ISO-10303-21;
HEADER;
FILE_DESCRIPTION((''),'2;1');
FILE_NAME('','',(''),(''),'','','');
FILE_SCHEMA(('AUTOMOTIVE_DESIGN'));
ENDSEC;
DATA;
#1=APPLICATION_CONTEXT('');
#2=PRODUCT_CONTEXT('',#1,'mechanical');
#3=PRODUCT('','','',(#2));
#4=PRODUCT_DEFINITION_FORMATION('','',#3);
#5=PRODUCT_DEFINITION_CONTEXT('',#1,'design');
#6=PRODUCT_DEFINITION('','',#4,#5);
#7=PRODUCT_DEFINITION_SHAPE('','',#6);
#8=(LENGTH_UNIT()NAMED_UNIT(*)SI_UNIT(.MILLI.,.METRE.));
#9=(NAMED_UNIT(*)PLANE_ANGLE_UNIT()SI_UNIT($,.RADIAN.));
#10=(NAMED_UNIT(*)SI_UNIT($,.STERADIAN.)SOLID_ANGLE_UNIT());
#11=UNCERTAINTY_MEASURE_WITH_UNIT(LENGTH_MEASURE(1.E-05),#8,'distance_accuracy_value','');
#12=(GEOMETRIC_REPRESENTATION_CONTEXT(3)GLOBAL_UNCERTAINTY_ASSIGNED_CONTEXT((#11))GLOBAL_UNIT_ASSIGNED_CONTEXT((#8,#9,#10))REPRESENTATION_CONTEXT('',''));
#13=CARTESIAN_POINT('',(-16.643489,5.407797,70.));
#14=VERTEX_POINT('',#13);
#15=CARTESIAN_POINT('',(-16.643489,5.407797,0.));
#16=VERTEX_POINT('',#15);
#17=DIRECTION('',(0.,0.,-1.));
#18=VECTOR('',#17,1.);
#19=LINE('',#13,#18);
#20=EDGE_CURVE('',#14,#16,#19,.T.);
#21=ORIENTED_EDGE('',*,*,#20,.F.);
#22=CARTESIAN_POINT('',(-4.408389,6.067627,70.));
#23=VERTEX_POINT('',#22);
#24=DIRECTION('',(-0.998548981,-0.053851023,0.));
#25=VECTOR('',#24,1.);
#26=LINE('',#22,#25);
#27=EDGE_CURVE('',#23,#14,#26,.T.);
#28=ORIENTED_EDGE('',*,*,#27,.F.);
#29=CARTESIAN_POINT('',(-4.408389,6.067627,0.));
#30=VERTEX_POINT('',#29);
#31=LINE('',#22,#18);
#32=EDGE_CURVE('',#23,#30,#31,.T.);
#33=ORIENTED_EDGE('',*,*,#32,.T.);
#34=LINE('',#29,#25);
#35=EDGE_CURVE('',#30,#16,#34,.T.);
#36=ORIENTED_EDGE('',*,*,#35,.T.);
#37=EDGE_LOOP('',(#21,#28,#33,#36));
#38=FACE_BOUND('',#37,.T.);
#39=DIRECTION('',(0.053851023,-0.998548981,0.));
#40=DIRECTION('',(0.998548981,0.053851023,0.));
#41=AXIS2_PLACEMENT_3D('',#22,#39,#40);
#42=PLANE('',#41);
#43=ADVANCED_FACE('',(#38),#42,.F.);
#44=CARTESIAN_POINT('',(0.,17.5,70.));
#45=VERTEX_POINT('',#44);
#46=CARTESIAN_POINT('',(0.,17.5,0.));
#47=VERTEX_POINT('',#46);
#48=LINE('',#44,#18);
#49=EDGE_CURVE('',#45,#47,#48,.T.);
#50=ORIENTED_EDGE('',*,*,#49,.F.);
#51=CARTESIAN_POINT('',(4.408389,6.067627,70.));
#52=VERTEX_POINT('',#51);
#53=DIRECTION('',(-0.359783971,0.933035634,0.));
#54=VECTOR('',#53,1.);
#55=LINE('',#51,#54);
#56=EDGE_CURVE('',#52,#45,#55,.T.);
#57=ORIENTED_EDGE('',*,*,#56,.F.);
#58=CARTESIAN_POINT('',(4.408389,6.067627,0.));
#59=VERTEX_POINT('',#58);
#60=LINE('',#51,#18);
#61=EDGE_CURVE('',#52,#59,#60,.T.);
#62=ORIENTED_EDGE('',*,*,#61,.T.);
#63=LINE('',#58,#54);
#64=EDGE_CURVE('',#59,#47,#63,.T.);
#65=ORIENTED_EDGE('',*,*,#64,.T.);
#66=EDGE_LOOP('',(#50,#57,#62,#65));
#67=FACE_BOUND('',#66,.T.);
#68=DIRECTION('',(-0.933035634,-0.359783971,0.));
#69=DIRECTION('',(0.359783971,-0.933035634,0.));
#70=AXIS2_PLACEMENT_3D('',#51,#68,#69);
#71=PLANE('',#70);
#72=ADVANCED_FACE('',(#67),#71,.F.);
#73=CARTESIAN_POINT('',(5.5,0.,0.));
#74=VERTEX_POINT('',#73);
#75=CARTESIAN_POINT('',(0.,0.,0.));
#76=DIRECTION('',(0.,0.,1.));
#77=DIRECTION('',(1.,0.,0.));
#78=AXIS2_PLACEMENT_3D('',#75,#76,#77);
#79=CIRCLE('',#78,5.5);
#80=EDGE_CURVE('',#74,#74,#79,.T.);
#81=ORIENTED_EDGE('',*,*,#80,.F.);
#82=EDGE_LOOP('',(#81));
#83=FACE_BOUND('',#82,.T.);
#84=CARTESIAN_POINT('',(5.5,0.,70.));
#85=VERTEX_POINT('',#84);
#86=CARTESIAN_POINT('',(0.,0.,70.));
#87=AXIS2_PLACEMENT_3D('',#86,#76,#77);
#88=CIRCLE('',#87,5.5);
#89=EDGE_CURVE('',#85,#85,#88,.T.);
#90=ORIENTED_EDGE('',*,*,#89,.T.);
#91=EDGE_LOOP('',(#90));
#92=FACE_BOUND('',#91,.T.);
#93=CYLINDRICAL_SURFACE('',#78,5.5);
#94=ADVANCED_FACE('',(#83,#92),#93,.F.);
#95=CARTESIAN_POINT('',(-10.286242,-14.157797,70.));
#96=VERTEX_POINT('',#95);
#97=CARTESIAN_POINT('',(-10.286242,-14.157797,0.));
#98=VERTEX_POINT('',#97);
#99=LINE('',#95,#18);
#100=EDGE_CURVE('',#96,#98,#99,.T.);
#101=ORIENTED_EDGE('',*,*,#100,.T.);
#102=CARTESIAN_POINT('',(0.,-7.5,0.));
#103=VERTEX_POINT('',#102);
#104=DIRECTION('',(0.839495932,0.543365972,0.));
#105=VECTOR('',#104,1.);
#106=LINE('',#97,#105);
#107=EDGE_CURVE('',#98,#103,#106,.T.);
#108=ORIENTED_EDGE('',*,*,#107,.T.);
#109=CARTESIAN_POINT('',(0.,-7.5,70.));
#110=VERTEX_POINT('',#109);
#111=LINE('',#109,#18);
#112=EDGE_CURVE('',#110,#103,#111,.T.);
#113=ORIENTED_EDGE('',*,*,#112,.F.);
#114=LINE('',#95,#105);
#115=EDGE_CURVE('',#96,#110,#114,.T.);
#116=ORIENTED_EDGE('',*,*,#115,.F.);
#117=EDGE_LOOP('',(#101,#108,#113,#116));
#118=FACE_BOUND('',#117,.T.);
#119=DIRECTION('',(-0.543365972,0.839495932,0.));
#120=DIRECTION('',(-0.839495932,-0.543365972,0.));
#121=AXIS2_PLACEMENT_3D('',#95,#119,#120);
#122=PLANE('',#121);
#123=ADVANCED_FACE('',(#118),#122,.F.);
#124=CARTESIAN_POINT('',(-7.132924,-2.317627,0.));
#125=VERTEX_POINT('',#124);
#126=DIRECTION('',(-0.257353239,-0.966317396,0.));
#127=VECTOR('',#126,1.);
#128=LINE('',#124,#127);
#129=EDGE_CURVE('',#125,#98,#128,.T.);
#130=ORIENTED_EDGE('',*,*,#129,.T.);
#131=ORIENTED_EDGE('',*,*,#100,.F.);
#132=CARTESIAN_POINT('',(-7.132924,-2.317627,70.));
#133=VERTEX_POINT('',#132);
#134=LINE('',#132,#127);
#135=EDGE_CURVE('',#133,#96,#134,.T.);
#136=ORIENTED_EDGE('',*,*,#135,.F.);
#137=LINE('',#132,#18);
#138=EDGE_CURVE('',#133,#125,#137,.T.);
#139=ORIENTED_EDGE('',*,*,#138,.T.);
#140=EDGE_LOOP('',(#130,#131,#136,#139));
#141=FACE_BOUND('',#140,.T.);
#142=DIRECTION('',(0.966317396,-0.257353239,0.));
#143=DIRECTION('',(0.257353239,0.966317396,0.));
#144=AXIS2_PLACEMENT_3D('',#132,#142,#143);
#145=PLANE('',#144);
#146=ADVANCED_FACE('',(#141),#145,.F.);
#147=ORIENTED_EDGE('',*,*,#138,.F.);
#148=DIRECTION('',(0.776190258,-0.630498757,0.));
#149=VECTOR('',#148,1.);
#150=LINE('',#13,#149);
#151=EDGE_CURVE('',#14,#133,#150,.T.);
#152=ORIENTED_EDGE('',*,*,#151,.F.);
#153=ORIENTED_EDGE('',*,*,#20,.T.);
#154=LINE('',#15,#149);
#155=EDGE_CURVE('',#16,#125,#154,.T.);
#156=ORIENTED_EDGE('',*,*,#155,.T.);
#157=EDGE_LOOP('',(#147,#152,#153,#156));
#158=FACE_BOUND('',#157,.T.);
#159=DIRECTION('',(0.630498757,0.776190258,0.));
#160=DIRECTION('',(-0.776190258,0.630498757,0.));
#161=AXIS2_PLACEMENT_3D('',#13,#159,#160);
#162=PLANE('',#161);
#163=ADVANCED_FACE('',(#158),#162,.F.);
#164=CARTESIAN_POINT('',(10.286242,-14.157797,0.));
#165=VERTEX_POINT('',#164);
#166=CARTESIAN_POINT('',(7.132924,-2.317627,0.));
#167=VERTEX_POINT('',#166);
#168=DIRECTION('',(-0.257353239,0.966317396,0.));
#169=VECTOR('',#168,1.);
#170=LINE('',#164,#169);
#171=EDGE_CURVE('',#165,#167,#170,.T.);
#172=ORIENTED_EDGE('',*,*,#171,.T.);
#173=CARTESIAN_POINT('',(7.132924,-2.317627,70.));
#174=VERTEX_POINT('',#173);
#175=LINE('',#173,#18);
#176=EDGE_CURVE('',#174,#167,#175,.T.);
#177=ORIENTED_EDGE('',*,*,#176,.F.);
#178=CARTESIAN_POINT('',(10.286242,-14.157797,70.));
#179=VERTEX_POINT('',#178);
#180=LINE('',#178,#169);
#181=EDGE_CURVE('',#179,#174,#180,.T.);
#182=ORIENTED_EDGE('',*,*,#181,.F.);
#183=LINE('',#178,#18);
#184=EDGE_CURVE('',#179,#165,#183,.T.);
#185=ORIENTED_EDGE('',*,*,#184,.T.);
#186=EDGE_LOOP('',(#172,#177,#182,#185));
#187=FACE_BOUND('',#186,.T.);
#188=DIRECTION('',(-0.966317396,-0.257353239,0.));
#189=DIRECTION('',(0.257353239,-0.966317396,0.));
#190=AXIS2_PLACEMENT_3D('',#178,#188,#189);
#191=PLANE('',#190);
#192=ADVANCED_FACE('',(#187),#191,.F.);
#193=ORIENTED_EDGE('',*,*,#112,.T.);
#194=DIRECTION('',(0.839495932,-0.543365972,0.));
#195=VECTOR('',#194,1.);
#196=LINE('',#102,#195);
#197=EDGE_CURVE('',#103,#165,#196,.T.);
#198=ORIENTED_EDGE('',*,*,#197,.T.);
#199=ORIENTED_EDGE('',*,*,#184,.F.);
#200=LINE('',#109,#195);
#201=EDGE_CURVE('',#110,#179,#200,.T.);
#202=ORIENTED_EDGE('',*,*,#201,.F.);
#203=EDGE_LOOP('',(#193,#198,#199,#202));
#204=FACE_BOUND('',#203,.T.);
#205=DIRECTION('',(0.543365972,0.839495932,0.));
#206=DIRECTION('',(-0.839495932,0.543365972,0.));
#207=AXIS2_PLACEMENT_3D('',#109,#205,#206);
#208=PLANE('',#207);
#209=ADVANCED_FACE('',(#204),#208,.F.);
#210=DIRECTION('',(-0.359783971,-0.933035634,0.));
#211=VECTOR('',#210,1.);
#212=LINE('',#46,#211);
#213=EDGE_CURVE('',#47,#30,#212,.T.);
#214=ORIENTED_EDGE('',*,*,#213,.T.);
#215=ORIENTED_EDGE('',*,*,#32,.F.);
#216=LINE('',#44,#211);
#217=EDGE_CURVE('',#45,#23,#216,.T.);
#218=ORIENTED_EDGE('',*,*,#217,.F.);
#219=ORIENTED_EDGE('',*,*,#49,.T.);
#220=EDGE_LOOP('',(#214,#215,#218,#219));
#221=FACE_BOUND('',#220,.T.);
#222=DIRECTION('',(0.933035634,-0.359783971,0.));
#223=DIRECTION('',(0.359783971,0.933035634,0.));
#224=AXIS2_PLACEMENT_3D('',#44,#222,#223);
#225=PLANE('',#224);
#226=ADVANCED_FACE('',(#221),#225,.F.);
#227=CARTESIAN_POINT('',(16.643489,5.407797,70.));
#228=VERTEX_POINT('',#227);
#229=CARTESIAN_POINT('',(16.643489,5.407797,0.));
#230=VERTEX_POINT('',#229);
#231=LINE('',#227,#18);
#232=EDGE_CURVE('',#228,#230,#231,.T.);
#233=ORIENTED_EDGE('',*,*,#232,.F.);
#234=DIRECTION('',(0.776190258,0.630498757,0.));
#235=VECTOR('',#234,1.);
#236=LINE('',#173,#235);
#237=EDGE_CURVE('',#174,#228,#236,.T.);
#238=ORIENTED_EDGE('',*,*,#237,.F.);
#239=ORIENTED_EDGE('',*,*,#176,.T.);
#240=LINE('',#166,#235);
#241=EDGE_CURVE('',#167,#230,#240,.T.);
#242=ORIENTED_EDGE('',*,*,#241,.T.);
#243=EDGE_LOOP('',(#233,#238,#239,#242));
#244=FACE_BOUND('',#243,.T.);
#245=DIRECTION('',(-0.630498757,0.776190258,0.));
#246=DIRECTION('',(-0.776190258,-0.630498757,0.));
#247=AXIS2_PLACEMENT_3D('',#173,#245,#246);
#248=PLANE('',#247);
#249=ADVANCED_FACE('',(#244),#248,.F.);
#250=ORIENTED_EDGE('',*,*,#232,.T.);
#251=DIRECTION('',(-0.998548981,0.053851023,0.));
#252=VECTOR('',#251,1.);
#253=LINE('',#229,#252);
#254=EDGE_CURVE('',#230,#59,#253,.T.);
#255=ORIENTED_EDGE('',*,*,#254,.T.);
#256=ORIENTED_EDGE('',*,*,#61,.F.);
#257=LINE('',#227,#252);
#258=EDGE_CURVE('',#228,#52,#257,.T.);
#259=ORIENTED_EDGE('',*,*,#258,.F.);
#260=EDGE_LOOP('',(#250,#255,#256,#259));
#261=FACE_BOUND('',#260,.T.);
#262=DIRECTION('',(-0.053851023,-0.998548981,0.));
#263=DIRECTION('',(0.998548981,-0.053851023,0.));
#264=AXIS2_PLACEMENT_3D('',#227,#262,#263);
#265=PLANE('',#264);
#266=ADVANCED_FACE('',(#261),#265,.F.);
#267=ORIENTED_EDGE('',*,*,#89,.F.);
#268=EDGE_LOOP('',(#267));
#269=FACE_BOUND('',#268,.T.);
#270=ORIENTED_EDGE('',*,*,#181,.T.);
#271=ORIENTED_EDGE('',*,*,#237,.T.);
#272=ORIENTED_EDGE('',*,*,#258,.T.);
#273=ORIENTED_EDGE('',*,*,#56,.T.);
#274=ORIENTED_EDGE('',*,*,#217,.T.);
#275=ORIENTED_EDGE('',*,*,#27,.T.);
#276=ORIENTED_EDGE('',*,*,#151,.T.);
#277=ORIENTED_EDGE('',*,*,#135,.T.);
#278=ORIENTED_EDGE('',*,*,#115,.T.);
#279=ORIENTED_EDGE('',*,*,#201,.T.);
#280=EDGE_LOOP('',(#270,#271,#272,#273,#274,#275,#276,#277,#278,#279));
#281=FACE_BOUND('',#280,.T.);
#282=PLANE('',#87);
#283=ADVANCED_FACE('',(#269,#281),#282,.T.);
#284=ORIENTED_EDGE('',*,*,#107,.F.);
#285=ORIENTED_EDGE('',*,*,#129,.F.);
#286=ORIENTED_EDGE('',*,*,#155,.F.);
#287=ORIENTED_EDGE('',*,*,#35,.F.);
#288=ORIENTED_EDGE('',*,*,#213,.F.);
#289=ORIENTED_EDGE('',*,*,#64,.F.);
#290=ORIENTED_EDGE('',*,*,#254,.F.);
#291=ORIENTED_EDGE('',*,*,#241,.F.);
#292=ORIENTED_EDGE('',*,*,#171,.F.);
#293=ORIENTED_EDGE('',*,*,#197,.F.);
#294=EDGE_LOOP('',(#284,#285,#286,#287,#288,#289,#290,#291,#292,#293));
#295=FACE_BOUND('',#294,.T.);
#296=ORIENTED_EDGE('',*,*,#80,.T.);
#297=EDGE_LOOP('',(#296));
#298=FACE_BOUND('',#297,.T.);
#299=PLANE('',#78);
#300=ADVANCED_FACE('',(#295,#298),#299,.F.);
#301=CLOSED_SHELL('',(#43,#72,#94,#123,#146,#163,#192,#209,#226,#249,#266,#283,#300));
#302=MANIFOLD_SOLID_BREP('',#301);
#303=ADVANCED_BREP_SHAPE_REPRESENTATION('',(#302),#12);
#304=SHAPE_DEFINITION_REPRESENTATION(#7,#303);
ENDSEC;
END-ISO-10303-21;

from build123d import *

# Parameters (mm, degrees)
BOSS_EXTRUDE1_DEPTH = 70
SKETCH2_R           = 5.5
CUT_EXTRUDE1_DEPTH  = 75.049008955


with BuildPart() as part:
    # Sketch1 → Boss-Extrude1 (new body)
    with BuildSketch(Plane.XY):
        Polygon((0, 17.5), (-4.408389392, 6.067627458), (-16.643489035, 5.407797402), (-7.132923872, -2.317627458), (-10.286241915, -14.157797402), (0, -7.5), (10.286241915, -14.157797402), (7.132923872, -2.317627458), (16.643489035, 5.407797402), (4.408389392, 6.067627458), align=None)
    extrude(amount=BOSS_EXTRUDE1_DEPTH)

    # Sketch2 → Cut-Extrude1 (cut, through all)
    with BuildSketch(Plane.XY.offset(70)):
        Circle(SKETCH2_R)
    extrude(amount=-CUT_EXTRUDE1_DEPTH, mode=Mode.SUBTRACT)


solid = part.part
